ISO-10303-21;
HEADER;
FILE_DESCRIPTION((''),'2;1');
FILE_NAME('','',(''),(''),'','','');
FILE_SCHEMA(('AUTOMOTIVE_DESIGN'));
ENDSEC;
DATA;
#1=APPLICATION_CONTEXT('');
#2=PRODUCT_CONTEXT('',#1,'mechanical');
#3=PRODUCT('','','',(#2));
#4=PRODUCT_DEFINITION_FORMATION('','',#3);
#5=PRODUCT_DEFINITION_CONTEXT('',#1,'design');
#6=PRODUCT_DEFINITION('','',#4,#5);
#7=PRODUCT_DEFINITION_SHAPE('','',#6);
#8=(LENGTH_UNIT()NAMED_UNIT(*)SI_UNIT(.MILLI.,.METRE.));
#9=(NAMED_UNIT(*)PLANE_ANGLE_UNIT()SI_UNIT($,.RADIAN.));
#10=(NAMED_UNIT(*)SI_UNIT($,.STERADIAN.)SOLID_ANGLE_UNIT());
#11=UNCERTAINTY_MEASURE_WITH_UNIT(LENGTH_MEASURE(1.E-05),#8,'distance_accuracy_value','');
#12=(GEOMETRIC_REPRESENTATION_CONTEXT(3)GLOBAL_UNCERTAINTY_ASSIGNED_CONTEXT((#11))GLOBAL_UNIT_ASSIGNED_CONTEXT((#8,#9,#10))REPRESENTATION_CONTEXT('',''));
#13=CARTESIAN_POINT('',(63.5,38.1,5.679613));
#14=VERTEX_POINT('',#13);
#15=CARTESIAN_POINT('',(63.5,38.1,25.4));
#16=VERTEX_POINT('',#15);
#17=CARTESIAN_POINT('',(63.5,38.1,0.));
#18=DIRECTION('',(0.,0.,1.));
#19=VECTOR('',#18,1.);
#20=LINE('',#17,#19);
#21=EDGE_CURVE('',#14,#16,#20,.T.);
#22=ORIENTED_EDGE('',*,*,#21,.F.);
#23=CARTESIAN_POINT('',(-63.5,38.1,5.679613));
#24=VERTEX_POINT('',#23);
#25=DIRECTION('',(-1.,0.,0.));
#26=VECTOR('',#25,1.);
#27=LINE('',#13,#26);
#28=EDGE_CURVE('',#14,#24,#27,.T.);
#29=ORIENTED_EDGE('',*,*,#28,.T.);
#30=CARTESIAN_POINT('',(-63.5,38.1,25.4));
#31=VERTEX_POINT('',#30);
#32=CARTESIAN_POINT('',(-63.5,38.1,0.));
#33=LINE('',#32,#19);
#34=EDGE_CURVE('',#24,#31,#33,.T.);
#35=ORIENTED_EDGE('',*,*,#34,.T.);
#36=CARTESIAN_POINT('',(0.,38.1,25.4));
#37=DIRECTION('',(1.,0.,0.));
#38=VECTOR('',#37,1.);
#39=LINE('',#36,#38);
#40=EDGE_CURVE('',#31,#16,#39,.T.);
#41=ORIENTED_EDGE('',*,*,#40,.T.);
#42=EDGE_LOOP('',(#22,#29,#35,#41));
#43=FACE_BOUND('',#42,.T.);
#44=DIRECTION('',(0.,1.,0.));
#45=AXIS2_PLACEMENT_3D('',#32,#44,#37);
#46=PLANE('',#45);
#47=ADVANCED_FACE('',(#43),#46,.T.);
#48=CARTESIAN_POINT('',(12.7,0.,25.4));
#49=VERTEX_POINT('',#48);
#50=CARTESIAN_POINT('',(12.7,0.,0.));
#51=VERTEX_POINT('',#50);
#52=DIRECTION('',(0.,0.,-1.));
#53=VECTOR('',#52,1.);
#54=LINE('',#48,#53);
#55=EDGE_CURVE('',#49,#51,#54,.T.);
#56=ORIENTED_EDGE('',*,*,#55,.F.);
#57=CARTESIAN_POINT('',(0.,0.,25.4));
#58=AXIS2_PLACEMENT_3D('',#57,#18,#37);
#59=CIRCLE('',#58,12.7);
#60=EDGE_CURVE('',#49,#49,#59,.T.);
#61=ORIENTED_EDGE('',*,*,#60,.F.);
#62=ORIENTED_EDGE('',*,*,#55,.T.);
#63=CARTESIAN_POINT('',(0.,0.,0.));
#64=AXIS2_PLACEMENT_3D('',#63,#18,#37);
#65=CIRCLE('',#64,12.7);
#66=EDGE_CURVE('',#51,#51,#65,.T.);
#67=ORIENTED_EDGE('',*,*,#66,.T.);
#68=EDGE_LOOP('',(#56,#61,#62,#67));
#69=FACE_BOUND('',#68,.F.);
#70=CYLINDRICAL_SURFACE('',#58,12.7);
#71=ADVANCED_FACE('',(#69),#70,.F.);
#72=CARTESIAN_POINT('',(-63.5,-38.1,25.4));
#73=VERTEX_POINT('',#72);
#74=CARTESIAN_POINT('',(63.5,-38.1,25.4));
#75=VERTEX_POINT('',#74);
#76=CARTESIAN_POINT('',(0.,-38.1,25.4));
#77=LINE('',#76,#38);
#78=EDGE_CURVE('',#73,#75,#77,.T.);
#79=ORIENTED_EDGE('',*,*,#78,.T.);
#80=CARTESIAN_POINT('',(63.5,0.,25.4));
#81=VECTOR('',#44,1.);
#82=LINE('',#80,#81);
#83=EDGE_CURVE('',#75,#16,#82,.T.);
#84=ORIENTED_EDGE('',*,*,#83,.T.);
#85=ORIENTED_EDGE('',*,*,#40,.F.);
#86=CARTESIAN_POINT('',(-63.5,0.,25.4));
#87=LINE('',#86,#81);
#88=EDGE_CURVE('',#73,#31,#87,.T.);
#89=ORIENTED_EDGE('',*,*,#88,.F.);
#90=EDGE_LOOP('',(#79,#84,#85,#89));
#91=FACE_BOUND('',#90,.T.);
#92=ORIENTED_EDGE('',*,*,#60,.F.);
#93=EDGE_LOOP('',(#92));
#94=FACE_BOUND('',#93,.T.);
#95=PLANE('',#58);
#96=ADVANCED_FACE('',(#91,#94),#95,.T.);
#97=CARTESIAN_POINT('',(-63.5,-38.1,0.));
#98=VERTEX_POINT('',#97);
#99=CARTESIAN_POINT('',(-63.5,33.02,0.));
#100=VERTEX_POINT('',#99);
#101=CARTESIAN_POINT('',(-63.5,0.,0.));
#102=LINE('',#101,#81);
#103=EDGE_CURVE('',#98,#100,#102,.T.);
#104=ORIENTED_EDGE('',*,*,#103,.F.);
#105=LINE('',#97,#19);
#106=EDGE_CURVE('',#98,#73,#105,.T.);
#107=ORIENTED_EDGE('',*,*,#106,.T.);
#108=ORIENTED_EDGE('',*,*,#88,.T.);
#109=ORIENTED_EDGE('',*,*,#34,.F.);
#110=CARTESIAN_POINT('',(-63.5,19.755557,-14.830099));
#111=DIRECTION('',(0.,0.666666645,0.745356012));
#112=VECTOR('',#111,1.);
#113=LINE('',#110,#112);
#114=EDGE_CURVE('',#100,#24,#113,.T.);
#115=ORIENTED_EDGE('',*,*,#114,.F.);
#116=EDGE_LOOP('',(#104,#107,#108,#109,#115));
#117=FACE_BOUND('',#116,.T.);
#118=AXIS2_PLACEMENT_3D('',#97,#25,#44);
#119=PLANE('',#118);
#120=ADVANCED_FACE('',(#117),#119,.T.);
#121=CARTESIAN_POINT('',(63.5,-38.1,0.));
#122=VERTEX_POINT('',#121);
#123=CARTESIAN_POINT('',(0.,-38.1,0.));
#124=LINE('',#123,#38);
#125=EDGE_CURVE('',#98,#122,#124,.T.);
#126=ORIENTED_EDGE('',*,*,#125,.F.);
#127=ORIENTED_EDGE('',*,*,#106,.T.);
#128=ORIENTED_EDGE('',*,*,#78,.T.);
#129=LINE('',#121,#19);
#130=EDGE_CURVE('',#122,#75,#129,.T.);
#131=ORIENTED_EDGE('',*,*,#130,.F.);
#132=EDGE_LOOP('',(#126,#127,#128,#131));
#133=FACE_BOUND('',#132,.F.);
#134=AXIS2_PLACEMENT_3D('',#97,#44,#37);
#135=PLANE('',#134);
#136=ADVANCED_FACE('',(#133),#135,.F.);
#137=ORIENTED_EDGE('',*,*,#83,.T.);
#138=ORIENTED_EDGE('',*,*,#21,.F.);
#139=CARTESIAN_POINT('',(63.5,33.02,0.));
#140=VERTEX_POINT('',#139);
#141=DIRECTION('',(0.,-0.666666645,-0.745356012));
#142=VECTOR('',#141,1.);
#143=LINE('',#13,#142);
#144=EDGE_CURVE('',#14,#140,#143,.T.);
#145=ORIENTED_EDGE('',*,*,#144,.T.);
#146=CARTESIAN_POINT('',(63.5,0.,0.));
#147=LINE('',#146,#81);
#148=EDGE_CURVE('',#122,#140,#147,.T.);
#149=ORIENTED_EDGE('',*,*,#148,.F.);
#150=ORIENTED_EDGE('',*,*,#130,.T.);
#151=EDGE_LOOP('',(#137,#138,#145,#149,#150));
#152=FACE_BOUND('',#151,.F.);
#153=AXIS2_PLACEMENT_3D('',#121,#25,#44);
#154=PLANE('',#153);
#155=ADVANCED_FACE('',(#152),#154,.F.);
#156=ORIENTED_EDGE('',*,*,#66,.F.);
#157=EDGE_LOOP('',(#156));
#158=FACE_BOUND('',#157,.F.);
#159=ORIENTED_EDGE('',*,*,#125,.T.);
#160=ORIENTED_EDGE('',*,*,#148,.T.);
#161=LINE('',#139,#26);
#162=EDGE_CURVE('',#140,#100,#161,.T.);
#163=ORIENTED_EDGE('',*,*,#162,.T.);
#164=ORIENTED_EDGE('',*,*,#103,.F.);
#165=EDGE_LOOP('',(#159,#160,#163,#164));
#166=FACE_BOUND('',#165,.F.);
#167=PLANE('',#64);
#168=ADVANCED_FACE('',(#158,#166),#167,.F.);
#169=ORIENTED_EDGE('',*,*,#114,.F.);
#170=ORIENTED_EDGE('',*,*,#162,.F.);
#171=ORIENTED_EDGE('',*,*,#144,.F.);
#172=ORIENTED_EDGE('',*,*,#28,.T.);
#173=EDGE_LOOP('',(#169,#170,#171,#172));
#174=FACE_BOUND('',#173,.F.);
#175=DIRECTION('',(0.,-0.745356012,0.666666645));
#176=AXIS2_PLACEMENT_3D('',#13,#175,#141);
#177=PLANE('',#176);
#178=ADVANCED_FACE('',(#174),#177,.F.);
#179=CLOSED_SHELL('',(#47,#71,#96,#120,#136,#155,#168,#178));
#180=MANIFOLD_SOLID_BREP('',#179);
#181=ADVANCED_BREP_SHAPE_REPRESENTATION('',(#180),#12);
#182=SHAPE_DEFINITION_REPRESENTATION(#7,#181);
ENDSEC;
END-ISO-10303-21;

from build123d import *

# Parameters (mm, degrees)
F0_W     = 127
F0_H     = 76.2
F0_R     = 19.05
F1_DEPTH = 25.4
F2_R     = 12.7
F3_DEPTH = 25.4
F5_DEPTH = 128.778


with BuildPart() as f1:
    # F0 (on Top) → F1 (new body)
    with BuildSketch(Plane.XY):
        Rectangle(F0_W, F0_H)
        Circle(F0_R, mode=Mode.SUBTRACT)
        Circle(F0_R)
    extrude(amount=F1_DEPTH)

    # F2 (on face) → F3 (cut)
    with BuildSketch(Plane.XY.offset(25.4)):
        Circle(F2_R)
    extrude(amount=-F3_DEPTH, mode=Mode.SUBTRACT)

    # F4 (on face) → F5 (cut)
    with BuildSketch(Plane.YZ.offset(63.5)):
        Polygon((38.1, 0), (38.1, 5.679613), (33.02, 0), align=None)
    extrude(amount=-F5_DEPTH, mode=Mode.SUBTRACT)


solid = f1.part
